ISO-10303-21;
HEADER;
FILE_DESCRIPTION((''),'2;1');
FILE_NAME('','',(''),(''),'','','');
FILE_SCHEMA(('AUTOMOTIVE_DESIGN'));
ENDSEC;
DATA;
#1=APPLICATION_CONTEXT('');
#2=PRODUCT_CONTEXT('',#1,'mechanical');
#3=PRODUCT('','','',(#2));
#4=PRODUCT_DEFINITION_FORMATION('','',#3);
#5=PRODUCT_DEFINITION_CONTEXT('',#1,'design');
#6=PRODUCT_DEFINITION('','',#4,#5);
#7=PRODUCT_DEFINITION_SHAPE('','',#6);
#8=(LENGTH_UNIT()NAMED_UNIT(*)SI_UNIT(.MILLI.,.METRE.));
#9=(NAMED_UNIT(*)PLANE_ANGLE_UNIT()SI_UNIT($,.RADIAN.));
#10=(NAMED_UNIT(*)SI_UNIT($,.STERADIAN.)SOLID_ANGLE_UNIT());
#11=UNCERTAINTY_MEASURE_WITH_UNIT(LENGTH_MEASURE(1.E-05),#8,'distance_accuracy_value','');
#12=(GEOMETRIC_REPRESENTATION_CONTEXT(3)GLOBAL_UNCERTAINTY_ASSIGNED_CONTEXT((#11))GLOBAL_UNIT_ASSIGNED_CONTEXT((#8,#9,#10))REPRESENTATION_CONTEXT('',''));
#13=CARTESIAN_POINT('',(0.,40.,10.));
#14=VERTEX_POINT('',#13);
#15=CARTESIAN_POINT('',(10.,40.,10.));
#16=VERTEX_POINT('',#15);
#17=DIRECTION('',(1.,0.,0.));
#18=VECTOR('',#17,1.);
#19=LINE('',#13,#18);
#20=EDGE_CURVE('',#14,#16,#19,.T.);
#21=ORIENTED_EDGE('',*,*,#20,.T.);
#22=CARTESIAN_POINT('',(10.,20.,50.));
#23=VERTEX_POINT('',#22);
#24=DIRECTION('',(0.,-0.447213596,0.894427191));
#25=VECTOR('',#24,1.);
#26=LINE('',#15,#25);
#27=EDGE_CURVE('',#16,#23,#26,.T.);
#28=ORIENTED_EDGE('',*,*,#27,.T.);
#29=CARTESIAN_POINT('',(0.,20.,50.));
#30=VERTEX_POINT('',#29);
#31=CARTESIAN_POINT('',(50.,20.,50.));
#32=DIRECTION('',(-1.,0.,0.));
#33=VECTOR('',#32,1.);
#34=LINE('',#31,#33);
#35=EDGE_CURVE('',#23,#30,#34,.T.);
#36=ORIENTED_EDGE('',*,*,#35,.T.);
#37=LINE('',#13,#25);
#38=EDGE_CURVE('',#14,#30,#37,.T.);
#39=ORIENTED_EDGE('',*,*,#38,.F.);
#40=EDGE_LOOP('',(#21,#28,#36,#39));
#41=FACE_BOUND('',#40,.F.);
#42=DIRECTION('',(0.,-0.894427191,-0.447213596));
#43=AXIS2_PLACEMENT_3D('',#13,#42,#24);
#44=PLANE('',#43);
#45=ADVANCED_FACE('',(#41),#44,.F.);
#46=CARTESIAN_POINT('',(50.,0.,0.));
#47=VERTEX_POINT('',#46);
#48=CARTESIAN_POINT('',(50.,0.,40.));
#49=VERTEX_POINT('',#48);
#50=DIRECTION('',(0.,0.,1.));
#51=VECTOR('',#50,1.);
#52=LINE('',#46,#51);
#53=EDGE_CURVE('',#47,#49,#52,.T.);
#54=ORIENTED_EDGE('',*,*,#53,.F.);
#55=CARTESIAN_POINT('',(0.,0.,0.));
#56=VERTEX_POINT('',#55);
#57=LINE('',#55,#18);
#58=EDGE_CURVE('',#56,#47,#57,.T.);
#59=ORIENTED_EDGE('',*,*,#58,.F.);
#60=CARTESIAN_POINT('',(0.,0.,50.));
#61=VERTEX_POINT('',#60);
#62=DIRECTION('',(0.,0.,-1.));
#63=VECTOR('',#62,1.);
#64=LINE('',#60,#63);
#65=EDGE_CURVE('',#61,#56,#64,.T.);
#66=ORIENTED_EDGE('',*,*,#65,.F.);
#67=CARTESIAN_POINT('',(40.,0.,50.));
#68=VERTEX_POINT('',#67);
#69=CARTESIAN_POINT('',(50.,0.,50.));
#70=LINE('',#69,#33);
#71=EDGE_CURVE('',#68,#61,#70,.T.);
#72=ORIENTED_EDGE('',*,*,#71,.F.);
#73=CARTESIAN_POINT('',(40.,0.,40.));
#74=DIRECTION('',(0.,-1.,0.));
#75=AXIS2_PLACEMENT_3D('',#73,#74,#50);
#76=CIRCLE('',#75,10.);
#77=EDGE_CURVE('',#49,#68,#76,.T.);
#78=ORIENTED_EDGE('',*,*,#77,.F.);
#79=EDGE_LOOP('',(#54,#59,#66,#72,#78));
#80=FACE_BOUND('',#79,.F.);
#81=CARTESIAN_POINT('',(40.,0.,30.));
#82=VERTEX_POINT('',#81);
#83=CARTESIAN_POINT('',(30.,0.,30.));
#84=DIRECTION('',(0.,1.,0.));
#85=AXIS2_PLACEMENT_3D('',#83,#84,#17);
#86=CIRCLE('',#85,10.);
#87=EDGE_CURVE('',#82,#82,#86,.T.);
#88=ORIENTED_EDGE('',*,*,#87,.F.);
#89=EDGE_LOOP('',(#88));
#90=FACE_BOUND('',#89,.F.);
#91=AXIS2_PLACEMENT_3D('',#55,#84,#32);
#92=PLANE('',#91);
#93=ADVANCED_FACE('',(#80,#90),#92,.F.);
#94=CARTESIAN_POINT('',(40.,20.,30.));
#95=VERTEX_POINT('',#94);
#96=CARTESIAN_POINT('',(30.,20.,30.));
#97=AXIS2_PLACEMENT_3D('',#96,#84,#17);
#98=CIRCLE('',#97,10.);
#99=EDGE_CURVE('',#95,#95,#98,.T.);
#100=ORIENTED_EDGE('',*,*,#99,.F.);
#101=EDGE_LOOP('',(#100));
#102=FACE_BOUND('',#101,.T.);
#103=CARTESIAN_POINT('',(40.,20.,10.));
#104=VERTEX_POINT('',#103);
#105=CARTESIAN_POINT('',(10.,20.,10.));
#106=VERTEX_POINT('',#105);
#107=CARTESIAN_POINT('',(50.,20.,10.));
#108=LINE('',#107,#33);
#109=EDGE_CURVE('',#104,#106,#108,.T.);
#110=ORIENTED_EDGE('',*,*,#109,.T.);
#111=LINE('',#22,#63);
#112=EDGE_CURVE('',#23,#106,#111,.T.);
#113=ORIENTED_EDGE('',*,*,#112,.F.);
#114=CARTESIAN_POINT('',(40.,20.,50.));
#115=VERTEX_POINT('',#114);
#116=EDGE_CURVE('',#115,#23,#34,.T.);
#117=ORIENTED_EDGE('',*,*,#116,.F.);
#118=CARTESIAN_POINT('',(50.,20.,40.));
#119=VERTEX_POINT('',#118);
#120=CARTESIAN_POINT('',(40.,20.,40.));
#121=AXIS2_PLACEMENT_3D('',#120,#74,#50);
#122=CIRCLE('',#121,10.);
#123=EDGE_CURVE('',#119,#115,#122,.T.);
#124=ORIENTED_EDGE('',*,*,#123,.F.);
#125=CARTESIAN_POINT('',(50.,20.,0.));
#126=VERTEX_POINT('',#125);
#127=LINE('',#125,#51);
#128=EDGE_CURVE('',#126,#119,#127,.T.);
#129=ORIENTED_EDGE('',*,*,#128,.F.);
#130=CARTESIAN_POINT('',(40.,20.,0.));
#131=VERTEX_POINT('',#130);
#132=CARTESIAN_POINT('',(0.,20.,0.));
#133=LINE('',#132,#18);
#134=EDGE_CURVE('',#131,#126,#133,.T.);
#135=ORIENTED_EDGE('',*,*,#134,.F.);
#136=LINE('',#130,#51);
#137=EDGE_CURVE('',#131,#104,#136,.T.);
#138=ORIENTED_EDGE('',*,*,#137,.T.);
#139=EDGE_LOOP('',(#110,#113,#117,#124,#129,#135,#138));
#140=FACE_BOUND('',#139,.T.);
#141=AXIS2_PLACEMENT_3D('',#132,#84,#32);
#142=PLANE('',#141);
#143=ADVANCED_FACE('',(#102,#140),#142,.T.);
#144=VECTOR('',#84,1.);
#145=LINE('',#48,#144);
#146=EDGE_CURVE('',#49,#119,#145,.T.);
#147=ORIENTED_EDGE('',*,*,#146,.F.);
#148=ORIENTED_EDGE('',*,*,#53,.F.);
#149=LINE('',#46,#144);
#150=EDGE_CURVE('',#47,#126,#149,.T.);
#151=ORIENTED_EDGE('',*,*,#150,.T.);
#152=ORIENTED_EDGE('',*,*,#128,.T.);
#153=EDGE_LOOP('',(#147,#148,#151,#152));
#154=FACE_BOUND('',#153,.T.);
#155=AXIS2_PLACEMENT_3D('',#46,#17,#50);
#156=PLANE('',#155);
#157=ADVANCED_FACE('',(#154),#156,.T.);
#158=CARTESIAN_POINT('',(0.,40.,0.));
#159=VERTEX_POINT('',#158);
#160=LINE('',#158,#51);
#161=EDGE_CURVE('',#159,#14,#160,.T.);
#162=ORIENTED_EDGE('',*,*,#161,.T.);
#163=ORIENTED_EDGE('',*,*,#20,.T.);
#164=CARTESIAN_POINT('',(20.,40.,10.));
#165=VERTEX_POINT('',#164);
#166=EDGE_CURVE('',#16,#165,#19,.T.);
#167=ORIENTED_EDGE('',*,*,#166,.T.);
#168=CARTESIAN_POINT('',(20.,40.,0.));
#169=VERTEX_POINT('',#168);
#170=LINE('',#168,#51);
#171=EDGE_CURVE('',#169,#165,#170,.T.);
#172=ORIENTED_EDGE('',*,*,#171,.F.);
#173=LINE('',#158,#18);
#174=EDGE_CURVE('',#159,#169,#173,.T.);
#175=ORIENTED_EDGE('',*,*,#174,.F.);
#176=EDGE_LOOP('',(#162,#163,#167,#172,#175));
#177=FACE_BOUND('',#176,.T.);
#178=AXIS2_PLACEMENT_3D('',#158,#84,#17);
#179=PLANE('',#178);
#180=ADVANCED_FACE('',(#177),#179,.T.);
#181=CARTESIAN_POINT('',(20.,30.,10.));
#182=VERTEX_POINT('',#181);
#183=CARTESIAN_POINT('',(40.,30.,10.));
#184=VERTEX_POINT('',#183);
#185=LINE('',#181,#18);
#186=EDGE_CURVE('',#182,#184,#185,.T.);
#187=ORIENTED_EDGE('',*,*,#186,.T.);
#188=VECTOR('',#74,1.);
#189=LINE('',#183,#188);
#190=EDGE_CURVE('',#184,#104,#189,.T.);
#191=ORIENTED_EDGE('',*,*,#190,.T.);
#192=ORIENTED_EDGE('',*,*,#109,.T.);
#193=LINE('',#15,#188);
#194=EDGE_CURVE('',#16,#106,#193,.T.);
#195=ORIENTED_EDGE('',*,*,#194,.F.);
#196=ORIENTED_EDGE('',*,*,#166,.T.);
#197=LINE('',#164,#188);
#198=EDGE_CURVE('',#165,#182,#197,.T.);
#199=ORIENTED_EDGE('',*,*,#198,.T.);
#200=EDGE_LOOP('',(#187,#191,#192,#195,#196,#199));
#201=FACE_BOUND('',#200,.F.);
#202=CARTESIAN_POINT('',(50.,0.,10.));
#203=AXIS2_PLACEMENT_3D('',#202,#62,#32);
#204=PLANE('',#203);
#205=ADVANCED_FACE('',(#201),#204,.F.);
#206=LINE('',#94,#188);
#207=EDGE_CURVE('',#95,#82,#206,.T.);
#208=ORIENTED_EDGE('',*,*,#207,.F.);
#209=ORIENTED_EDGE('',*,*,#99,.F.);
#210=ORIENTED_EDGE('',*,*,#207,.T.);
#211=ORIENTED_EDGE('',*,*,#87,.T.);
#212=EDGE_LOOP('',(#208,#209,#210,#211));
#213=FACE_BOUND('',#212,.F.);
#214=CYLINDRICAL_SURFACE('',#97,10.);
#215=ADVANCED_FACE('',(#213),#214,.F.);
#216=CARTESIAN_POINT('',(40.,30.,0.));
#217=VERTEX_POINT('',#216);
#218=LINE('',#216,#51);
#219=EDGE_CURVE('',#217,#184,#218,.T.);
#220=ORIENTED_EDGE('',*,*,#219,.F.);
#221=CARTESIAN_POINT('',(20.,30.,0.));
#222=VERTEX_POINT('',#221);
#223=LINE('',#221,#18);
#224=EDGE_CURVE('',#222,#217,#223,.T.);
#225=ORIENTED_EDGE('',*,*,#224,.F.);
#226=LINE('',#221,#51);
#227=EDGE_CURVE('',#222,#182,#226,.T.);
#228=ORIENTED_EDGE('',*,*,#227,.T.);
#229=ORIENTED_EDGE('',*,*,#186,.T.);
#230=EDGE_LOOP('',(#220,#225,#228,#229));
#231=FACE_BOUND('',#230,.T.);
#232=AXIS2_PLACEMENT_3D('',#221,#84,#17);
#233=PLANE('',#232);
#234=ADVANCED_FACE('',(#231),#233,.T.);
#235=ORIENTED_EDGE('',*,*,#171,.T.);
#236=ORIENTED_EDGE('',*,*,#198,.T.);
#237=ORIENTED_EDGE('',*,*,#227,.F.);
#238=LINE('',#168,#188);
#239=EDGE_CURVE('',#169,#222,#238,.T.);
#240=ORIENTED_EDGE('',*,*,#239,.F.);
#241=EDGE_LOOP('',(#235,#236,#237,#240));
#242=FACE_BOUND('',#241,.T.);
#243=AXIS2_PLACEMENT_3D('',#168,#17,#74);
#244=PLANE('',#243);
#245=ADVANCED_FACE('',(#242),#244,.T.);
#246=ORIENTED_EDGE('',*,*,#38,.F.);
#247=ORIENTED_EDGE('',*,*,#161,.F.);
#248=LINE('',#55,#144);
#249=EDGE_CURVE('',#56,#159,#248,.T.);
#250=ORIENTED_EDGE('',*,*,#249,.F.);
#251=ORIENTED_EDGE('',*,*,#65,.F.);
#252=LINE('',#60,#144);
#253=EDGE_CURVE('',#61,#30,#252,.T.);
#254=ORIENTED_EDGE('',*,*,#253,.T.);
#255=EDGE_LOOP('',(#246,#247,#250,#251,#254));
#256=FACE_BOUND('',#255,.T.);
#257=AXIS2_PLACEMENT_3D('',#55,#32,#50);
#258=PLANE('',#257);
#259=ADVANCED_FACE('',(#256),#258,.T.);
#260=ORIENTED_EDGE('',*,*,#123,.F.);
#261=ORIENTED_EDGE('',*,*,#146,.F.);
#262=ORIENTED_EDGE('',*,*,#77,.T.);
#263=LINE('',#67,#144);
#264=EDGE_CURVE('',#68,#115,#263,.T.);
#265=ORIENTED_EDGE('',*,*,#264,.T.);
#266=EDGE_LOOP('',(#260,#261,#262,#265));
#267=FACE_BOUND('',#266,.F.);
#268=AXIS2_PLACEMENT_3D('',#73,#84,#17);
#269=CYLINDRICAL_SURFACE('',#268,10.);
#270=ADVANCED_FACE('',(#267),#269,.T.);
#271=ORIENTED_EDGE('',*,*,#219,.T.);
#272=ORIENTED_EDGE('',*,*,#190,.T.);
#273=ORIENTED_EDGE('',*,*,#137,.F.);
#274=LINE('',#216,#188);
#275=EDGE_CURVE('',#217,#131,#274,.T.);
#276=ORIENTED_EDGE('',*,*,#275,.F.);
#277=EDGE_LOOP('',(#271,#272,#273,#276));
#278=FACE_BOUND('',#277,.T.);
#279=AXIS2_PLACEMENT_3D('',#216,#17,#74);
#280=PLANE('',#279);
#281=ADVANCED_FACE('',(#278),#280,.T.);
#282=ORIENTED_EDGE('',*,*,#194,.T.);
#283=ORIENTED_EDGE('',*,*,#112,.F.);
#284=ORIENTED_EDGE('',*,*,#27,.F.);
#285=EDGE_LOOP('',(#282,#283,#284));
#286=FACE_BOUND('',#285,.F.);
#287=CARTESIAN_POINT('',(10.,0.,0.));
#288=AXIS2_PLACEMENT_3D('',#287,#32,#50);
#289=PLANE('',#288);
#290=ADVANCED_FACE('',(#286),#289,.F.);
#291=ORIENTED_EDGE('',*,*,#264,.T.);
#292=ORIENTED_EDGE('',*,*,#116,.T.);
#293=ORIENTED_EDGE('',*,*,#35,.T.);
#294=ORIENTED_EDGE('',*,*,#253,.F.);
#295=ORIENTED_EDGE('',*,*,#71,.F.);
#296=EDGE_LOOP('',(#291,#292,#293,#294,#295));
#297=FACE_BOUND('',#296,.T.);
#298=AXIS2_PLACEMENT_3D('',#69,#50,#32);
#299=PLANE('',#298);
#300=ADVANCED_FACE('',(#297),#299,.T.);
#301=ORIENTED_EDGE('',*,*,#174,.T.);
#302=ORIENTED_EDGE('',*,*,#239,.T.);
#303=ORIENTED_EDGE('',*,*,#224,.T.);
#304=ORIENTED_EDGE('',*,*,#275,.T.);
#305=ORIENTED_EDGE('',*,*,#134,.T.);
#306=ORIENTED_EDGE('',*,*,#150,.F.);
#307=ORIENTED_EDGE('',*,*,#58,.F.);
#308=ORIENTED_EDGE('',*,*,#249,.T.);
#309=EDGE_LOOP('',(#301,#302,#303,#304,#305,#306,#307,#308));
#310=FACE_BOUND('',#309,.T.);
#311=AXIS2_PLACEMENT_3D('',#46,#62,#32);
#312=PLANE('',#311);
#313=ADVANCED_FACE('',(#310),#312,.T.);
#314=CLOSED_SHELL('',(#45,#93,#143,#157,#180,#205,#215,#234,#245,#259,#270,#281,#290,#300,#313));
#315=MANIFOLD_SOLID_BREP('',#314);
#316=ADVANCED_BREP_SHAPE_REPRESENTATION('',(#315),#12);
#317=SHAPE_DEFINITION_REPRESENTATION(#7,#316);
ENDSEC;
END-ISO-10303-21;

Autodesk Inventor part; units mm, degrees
ref_plane "YZ Plane" through (0, 0, 0) normal (1, 0, 0) x (0, 1, 0)
ref_plane "XZ Plane" through (0, 0, 0) normal (0, 1, 0) x (-1, 0, 0)
ref_plane "XY Plane" through (0, 0, 0) normal (0, 0, 1) x (1, 0, 0)
sketch "草圖1" plane through (0, 0, 0) normal (0, 1, 0) x (-1, 0, 0)
  line L0 (0, 0) -> (-50, 0)
  line L1 (-50, 0) -> (-50, 50)
  line L2 (-50, 50) -> (0, 50)
  line L3 (0, 50) -> (0, 0)
  dimension "d0" = 50
  dimension "d1" = 50
extrude "擠出1" add sketch "草圖1" along normal blind 20
fillet "圓角1" radius 10 1 edges at (50, 10, 50)
sketch "草圖2" plane through (50, 0, 0) normal (0, 0, -1) x (-1, 0, 0)
  line L0 (0, 20) -> (50, 20) projected
  line L1 (50, 20) -> (50, 0) projected
  line L2 (50, 0) -> (0, 0) projected
  line L3 (0, 0) -> (0, 20) projected
  line L4 (50, 20) -> (50, 40)
  line L5 (50, 40) -> (30, 40)
  line L6 (30, 40) -> (30, 30)
  line L7 (30, 30) -> (10, 30)
  line L8 (10, 30) -> (10, 20)
  dimension "d5" = 10
  dimension "d6" = 20
  dimension "d7" = 10
  dimension "d8" = 20
extrude "擠出2" add sketch "草圖2" against normal blind 10 contours L8 L7 L6 L5 L4 L0
sketch "草圖3" plane through (0, 0, 0) normal (-1, 0, 0) x (0, 0, 1)
  line L0 (0, 40) -> (10, 40) projected
  line L1 (10, 40) -> (10, 20) projected
  line L2 (10, 20) -> (50, 20) projected
  line L3 (50, 20) -> (50, 0) projected
  line L4 (50, 0) -> (0, 0) projected
  line L5 (0, 0) -> (0, 40) projected
  line L6 (10, 40) -> (10, 20) projected
  line L7 (40, 20) -> (50, 20) projected
  line L8 (10, 40) -> (50, 20)
extrude "擠出3" add sketch "草圖3" against normal blind 10 contours L8 L2 L1
sketch "草圖4" plane through (0, 20, 0) normal (0, 1, 0) x (1, 0, 0)
  arc A0 (40, -50) -> (50, -40) centre (40, -40) ccw projected
  line L0 (40, -50) -> (10, -50) projected
  line L1 (10, -10) -> (10, -50) projected
  line L2 (40, -10) -> (10, -10) projected
  line L3 (40, 0) -> (40, -10) projected
  line L4 (0, 0) -> (40, 0) projected
  line L5 (0, -50) -> (0, 0) projected
  line L6 (10, -50) -> (0, -50) projected
  line L7 (50, 0) -> (50, -40) projected
  line L8 (40, 0) -> (50, 0) projected
  circle A1 centre (30, -30) radius 10
  dimension "d13" = 20
  dimension "d14" = 20
  dimension "d15" = 20
extrude "擠出4" cut sketch "草圖4" against normal through all contours A1
properties part number "26" material "鋼、碳鋼"
